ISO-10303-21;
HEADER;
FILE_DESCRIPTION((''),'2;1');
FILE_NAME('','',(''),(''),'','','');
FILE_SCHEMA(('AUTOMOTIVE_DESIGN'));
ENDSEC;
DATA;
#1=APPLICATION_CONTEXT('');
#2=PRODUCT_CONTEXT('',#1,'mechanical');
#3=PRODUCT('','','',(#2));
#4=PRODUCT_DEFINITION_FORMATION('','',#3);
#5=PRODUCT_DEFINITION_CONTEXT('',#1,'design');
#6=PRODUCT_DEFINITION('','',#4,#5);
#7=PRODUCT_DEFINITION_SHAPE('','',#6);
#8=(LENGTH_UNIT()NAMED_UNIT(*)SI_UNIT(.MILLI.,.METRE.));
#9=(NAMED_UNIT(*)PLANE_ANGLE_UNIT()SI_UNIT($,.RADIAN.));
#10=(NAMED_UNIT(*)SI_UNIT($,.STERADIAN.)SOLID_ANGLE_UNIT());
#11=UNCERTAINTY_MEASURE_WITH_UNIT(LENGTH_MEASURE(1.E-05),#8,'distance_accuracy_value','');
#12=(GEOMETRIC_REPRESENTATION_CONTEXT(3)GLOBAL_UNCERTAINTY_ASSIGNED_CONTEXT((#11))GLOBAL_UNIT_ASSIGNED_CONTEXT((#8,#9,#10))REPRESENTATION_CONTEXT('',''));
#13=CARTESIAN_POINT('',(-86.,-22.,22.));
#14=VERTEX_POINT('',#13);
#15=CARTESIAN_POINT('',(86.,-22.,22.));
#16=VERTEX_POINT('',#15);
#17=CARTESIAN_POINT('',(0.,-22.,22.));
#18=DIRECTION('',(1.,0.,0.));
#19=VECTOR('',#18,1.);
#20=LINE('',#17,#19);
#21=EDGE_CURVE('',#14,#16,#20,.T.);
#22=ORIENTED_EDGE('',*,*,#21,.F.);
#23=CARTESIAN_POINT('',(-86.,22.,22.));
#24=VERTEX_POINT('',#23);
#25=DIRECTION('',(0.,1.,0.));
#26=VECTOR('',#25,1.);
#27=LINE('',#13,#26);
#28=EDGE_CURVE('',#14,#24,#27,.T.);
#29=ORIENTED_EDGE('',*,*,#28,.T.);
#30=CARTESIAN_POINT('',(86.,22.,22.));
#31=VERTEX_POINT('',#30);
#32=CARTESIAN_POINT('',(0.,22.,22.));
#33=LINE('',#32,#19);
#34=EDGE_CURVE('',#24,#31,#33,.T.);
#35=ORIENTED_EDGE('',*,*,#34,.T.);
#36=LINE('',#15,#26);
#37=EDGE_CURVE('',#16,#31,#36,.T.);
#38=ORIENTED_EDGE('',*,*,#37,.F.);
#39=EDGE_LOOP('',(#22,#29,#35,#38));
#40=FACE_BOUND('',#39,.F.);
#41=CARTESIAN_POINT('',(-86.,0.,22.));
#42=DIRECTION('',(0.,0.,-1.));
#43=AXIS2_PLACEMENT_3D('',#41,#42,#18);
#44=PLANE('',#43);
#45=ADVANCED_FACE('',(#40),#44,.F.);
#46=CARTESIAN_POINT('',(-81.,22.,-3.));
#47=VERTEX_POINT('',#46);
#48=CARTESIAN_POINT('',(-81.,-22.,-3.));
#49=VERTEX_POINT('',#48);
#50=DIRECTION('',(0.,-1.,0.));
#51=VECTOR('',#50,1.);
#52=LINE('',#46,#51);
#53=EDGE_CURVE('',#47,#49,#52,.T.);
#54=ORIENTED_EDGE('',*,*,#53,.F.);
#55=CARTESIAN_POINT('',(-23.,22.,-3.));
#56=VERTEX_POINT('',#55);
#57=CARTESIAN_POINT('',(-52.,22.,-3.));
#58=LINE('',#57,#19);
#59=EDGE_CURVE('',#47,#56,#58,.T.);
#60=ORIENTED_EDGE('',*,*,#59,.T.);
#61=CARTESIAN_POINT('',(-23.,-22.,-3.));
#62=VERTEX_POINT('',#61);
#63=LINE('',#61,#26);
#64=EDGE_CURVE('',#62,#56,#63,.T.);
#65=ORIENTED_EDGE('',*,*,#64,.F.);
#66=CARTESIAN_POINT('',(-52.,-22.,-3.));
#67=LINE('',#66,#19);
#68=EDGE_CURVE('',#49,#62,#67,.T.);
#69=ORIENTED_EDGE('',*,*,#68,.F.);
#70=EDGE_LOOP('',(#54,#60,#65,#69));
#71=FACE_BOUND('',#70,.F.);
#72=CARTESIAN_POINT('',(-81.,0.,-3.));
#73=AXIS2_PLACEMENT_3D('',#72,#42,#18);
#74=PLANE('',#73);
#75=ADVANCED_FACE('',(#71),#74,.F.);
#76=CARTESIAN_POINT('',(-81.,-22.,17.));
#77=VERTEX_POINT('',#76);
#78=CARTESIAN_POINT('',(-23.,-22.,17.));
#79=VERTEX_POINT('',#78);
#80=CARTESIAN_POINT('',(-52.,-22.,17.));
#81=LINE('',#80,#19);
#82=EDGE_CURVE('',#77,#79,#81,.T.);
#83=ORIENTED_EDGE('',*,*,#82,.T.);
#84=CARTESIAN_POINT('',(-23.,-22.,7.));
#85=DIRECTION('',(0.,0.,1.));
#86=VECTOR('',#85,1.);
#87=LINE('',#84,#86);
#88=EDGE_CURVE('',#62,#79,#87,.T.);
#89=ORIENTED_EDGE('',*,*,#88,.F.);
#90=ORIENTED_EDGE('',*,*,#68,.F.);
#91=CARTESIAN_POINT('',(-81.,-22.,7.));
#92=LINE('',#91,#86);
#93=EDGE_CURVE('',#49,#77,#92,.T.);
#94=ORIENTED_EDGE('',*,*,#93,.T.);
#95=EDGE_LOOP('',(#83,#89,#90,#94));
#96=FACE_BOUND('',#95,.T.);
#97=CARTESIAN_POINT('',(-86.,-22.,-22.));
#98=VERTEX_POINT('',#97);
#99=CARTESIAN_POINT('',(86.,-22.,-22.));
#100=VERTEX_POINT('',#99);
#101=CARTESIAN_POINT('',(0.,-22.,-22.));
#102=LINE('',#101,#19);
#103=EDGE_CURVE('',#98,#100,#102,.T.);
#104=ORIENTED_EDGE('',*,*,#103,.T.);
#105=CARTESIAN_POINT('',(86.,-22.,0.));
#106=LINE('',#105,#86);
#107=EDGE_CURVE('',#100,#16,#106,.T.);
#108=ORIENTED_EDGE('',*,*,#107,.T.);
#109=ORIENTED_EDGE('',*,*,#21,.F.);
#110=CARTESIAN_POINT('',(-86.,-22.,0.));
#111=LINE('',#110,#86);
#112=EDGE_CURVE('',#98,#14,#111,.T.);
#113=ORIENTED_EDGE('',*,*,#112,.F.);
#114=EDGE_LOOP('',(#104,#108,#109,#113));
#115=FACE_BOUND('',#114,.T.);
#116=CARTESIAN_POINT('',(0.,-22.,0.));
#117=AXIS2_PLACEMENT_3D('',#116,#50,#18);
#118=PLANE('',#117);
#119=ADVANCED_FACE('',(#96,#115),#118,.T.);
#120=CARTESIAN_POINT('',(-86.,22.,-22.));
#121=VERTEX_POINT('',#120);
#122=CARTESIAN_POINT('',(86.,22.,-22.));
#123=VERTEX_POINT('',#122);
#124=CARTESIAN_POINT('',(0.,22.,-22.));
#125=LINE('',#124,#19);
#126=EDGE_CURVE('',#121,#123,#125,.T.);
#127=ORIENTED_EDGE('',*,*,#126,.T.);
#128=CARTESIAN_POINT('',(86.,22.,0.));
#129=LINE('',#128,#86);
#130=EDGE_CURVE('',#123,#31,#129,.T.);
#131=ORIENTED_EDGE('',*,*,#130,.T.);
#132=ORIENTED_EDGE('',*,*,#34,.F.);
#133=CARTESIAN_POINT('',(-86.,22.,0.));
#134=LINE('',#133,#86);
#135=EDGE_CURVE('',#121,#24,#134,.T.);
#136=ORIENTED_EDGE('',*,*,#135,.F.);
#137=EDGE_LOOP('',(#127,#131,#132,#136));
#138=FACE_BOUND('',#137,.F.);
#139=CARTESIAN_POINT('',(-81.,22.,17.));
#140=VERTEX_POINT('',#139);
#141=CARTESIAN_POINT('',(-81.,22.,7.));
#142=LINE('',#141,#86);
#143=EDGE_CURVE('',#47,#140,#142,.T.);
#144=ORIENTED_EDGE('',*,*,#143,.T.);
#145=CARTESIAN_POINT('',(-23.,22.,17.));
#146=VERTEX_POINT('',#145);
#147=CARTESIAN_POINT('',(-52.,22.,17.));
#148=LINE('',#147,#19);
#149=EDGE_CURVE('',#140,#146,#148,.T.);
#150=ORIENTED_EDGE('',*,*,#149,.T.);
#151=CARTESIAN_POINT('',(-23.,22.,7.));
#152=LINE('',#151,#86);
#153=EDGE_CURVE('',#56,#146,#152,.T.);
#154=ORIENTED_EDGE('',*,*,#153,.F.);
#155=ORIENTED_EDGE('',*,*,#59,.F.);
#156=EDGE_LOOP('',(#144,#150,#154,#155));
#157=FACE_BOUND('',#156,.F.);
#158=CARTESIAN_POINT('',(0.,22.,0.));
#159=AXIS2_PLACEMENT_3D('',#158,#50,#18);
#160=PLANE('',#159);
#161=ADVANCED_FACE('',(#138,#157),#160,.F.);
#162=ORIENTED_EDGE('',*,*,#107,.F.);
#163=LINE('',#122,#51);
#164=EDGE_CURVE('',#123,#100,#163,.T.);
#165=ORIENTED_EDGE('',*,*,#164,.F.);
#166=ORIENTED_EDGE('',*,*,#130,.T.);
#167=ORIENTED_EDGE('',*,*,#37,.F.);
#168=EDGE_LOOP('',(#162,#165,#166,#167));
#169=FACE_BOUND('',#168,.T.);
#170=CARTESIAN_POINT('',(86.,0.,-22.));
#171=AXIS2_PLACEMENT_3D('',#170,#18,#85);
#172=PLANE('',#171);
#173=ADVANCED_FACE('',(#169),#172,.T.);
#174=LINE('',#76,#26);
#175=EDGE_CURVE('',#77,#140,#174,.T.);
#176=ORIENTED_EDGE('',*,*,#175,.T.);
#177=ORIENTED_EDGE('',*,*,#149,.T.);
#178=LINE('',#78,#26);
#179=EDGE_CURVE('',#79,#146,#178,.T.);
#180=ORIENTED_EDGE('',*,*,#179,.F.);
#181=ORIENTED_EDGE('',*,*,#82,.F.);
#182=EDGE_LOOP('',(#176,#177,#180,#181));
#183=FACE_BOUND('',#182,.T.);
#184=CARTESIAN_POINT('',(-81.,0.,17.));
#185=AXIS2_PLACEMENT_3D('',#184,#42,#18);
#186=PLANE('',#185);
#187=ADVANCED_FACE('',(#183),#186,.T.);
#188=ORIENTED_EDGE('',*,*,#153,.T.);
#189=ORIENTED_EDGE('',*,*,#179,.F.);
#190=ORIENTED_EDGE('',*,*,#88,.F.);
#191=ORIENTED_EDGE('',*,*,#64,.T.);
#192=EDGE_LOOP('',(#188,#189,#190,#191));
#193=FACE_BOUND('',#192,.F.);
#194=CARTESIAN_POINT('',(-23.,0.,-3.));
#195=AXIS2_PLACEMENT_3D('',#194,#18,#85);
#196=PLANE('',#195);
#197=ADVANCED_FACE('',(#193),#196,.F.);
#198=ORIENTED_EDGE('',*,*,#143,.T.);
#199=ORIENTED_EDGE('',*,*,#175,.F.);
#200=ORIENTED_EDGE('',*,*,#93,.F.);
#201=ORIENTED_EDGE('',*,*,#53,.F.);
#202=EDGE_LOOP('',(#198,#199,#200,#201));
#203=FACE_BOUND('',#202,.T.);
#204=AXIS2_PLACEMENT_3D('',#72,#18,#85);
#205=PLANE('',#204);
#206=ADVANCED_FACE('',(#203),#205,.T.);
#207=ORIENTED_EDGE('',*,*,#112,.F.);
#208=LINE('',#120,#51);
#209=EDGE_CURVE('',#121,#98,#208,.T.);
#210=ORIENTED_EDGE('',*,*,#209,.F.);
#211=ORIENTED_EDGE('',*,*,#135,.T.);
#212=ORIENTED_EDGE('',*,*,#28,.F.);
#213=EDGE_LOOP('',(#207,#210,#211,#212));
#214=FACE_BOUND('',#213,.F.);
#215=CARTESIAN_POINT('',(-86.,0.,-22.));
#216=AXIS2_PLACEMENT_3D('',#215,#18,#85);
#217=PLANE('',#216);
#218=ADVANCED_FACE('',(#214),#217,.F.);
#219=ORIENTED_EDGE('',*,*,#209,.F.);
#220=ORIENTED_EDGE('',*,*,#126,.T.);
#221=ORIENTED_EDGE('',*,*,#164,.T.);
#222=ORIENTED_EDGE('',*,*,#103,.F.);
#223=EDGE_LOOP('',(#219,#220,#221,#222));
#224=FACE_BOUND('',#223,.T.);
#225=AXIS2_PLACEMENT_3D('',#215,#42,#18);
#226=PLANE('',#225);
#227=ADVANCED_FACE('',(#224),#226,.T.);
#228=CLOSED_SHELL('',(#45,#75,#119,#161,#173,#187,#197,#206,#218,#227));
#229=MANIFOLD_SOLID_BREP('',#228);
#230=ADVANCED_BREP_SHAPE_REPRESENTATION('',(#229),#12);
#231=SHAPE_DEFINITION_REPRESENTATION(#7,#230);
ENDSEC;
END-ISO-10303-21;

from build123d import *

# Parameters (mm, degrees)
F0_W     = 172
F0_H     = 44
F0_W_2   = 58
F0_H_2   = 20
F1_DEPTH = 22


with BuildPart() as f1:
    # F0 (on Front) → F1 (new body, symmetric)
    with BuildSketch(Plane.XZ):
        Rectangle(F0_W, F0_H)
        with Locations((-52, 7)):
            Rectangle(F0_W_2, F0_H_2, mode=Mode.SUBTRACT)
    extrude(amount=F1_DEPTH, both=True)


solid = f1.part
